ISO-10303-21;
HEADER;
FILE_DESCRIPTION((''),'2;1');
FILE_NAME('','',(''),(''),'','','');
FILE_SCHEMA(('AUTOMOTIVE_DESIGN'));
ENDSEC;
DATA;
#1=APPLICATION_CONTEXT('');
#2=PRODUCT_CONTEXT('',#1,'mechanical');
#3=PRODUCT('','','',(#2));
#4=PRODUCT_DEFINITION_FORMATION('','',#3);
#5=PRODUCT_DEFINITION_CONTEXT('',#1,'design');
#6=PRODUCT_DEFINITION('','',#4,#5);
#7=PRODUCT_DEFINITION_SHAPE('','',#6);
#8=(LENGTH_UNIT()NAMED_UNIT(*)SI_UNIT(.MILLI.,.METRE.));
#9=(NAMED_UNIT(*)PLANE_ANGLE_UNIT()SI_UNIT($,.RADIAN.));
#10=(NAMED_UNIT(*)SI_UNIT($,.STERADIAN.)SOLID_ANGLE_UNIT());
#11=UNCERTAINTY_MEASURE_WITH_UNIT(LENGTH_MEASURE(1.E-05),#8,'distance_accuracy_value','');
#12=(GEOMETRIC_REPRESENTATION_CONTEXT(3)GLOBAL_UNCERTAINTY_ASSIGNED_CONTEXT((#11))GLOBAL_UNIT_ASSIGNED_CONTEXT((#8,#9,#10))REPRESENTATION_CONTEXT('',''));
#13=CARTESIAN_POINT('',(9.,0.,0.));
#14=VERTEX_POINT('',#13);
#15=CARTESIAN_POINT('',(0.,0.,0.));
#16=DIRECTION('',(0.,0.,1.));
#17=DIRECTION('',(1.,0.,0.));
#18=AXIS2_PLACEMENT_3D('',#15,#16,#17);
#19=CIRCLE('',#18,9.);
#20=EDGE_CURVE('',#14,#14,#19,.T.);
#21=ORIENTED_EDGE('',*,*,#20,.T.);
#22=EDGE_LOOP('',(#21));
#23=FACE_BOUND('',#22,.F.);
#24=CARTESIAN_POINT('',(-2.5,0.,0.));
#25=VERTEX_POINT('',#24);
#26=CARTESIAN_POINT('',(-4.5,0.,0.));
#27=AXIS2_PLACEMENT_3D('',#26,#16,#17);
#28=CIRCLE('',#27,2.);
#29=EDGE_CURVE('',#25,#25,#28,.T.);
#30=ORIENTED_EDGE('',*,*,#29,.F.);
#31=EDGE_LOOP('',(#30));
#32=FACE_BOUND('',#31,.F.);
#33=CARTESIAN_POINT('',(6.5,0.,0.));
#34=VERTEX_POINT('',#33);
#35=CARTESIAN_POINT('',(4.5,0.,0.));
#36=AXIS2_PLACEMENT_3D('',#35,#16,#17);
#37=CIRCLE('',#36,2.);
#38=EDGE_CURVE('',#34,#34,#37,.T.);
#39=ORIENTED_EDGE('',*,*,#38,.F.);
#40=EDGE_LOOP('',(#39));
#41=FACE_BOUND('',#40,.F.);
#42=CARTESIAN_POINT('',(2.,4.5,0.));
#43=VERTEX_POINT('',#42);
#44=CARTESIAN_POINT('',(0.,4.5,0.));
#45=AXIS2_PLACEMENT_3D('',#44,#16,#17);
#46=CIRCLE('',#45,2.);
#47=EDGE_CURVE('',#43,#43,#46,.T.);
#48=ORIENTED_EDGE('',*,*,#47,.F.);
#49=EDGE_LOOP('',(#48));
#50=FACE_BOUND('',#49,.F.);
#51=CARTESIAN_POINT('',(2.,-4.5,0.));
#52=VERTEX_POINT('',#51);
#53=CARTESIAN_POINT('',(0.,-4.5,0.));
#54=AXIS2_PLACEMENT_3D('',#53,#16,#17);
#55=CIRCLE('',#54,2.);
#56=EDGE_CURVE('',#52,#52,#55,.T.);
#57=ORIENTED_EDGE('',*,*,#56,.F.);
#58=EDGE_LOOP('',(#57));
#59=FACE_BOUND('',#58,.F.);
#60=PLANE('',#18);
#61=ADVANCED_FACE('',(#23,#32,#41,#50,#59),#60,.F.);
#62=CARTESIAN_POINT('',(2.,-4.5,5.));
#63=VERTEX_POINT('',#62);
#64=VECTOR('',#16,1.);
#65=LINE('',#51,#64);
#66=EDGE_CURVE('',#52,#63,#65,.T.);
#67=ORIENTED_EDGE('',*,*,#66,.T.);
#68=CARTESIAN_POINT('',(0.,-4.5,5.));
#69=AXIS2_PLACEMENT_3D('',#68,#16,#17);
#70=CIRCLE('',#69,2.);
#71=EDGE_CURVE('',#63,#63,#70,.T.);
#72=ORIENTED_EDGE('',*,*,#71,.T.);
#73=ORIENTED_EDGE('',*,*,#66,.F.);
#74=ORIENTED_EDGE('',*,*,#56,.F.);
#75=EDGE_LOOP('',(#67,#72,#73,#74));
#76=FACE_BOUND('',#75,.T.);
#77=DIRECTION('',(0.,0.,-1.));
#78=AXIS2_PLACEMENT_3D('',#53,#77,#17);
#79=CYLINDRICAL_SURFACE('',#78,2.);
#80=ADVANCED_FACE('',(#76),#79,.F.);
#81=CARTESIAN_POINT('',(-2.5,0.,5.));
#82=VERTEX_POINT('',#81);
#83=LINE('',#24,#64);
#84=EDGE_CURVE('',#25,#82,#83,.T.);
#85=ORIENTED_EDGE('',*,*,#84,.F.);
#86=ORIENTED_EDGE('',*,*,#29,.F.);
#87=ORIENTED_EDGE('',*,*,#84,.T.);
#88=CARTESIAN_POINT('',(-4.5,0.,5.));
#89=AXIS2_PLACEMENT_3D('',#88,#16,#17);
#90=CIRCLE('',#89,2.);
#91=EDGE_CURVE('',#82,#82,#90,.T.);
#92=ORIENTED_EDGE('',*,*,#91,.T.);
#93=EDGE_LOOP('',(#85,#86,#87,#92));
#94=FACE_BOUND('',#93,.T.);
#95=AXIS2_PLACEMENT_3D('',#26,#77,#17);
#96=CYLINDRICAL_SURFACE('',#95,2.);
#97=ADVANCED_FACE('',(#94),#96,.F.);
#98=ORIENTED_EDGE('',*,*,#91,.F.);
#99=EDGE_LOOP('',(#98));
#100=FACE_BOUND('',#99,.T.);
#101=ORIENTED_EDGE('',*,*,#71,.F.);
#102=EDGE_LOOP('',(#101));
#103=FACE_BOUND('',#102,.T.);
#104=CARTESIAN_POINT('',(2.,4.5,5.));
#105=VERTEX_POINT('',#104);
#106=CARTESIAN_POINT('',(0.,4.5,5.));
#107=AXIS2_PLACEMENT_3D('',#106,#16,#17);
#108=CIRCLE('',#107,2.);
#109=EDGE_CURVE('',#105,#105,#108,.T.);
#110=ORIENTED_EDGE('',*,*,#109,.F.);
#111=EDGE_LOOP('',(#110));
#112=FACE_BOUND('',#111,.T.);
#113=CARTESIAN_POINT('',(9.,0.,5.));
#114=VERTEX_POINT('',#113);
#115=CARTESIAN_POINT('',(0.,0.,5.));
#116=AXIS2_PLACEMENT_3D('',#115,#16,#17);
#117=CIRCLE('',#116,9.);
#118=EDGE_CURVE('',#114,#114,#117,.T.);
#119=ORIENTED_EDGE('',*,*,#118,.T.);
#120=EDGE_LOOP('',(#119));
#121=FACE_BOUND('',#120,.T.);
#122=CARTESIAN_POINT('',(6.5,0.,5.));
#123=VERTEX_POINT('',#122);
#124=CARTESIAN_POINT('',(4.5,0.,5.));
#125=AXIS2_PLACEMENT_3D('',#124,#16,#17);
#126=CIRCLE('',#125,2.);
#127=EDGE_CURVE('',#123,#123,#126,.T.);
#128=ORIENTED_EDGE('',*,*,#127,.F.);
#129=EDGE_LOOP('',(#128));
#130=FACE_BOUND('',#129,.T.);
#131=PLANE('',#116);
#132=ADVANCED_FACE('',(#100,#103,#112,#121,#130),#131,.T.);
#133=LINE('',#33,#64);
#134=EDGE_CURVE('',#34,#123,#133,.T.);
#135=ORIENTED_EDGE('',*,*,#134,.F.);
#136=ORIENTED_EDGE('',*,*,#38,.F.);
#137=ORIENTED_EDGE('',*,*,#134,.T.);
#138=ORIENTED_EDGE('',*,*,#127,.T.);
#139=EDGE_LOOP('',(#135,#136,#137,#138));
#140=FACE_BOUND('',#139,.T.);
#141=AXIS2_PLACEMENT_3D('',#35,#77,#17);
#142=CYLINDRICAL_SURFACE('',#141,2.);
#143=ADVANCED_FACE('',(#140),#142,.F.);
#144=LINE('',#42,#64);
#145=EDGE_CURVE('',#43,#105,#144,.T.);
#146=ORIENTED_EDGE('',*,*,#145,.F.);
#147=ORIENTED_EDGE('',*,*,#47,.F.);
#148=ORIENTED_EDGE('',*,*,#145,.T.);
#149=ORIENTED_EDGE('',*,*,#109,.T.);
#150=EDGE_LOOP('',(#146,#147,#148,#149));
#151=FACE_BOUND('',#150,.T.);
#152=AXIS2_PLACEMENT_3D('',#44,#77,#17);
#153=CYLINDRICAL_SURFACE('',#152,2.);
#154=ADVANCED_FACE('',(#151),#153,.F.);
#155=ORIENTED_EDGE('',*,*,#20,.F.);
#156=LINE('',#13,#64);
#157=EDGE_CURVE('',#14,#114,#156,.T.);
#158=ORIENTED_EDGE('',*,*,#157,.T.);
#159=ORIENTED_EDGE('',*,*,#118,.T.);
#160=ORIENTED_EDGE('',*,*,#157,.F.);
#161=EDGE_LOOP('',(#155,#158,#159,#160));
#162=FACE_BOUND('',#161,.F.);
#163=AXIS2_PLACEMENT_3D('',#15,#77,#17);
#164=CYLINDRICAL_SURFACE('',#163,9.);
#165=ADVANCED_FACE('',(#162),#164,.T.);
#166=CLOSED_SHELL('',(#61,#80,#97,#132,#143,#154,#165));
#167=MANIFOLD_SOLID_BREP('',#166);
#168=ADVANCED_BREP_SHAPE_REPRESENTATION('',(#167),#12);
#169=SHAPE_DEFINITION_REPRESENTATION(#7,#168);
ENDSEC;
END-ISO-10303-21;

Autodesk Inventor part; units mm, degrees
ref_plane "YZ Plane" through (0, 0, 0) normal (1, 0, 0) x (0, 1, 0)
ref_plane "XZ Plane" through (0, 0, 0) normal (0, 1, 0) x (-1, 0, 0)
ref_plane "XY Plane" through (0, 0, 0) normal (0, 0, 1) x (1, 0, 0)
sketch "スケッチ1" plane through (0, 0, 0) normal (0, 0, 1) x (1, 0, 0)
  circle A0 centre (0, 0) radius 9
  circle A1 centre (-4.5, 0) radius 4.5 construction
  circle A2 centre (4.5, 0) radius 4.5 construction
  circle A3 centre (-4.5, 0) radius 2
  circle A4 centre (4.5, 0) radius 2
  line L0 (4.5, 0) -> (0, -4.5) construction
  line L1 (0, -4.5) -> (-4.5, 0) construction
  line L2 (-4.5, 0) -> (0, 4.5) construction
  line L3 (0, 4.5) -> (4.5, 0) construction
  circle A5 centre (0, 4.5) radius 2
  circle A6 centre (0, -4.5) radius 2
  dimension "d1" = 9
  dimension "d0" = 18
  dimension "d2" = 9
  dimension "d3" = 4
  dimension "d4" = 4
  dimension "d14" = 4
  dimension "d15" = 4
extrude "押し出し1" add sketch "スケッチ1" along normal blind 5
properties part number "アーム中間節カム1" material "アセタール樹脂、黒"
